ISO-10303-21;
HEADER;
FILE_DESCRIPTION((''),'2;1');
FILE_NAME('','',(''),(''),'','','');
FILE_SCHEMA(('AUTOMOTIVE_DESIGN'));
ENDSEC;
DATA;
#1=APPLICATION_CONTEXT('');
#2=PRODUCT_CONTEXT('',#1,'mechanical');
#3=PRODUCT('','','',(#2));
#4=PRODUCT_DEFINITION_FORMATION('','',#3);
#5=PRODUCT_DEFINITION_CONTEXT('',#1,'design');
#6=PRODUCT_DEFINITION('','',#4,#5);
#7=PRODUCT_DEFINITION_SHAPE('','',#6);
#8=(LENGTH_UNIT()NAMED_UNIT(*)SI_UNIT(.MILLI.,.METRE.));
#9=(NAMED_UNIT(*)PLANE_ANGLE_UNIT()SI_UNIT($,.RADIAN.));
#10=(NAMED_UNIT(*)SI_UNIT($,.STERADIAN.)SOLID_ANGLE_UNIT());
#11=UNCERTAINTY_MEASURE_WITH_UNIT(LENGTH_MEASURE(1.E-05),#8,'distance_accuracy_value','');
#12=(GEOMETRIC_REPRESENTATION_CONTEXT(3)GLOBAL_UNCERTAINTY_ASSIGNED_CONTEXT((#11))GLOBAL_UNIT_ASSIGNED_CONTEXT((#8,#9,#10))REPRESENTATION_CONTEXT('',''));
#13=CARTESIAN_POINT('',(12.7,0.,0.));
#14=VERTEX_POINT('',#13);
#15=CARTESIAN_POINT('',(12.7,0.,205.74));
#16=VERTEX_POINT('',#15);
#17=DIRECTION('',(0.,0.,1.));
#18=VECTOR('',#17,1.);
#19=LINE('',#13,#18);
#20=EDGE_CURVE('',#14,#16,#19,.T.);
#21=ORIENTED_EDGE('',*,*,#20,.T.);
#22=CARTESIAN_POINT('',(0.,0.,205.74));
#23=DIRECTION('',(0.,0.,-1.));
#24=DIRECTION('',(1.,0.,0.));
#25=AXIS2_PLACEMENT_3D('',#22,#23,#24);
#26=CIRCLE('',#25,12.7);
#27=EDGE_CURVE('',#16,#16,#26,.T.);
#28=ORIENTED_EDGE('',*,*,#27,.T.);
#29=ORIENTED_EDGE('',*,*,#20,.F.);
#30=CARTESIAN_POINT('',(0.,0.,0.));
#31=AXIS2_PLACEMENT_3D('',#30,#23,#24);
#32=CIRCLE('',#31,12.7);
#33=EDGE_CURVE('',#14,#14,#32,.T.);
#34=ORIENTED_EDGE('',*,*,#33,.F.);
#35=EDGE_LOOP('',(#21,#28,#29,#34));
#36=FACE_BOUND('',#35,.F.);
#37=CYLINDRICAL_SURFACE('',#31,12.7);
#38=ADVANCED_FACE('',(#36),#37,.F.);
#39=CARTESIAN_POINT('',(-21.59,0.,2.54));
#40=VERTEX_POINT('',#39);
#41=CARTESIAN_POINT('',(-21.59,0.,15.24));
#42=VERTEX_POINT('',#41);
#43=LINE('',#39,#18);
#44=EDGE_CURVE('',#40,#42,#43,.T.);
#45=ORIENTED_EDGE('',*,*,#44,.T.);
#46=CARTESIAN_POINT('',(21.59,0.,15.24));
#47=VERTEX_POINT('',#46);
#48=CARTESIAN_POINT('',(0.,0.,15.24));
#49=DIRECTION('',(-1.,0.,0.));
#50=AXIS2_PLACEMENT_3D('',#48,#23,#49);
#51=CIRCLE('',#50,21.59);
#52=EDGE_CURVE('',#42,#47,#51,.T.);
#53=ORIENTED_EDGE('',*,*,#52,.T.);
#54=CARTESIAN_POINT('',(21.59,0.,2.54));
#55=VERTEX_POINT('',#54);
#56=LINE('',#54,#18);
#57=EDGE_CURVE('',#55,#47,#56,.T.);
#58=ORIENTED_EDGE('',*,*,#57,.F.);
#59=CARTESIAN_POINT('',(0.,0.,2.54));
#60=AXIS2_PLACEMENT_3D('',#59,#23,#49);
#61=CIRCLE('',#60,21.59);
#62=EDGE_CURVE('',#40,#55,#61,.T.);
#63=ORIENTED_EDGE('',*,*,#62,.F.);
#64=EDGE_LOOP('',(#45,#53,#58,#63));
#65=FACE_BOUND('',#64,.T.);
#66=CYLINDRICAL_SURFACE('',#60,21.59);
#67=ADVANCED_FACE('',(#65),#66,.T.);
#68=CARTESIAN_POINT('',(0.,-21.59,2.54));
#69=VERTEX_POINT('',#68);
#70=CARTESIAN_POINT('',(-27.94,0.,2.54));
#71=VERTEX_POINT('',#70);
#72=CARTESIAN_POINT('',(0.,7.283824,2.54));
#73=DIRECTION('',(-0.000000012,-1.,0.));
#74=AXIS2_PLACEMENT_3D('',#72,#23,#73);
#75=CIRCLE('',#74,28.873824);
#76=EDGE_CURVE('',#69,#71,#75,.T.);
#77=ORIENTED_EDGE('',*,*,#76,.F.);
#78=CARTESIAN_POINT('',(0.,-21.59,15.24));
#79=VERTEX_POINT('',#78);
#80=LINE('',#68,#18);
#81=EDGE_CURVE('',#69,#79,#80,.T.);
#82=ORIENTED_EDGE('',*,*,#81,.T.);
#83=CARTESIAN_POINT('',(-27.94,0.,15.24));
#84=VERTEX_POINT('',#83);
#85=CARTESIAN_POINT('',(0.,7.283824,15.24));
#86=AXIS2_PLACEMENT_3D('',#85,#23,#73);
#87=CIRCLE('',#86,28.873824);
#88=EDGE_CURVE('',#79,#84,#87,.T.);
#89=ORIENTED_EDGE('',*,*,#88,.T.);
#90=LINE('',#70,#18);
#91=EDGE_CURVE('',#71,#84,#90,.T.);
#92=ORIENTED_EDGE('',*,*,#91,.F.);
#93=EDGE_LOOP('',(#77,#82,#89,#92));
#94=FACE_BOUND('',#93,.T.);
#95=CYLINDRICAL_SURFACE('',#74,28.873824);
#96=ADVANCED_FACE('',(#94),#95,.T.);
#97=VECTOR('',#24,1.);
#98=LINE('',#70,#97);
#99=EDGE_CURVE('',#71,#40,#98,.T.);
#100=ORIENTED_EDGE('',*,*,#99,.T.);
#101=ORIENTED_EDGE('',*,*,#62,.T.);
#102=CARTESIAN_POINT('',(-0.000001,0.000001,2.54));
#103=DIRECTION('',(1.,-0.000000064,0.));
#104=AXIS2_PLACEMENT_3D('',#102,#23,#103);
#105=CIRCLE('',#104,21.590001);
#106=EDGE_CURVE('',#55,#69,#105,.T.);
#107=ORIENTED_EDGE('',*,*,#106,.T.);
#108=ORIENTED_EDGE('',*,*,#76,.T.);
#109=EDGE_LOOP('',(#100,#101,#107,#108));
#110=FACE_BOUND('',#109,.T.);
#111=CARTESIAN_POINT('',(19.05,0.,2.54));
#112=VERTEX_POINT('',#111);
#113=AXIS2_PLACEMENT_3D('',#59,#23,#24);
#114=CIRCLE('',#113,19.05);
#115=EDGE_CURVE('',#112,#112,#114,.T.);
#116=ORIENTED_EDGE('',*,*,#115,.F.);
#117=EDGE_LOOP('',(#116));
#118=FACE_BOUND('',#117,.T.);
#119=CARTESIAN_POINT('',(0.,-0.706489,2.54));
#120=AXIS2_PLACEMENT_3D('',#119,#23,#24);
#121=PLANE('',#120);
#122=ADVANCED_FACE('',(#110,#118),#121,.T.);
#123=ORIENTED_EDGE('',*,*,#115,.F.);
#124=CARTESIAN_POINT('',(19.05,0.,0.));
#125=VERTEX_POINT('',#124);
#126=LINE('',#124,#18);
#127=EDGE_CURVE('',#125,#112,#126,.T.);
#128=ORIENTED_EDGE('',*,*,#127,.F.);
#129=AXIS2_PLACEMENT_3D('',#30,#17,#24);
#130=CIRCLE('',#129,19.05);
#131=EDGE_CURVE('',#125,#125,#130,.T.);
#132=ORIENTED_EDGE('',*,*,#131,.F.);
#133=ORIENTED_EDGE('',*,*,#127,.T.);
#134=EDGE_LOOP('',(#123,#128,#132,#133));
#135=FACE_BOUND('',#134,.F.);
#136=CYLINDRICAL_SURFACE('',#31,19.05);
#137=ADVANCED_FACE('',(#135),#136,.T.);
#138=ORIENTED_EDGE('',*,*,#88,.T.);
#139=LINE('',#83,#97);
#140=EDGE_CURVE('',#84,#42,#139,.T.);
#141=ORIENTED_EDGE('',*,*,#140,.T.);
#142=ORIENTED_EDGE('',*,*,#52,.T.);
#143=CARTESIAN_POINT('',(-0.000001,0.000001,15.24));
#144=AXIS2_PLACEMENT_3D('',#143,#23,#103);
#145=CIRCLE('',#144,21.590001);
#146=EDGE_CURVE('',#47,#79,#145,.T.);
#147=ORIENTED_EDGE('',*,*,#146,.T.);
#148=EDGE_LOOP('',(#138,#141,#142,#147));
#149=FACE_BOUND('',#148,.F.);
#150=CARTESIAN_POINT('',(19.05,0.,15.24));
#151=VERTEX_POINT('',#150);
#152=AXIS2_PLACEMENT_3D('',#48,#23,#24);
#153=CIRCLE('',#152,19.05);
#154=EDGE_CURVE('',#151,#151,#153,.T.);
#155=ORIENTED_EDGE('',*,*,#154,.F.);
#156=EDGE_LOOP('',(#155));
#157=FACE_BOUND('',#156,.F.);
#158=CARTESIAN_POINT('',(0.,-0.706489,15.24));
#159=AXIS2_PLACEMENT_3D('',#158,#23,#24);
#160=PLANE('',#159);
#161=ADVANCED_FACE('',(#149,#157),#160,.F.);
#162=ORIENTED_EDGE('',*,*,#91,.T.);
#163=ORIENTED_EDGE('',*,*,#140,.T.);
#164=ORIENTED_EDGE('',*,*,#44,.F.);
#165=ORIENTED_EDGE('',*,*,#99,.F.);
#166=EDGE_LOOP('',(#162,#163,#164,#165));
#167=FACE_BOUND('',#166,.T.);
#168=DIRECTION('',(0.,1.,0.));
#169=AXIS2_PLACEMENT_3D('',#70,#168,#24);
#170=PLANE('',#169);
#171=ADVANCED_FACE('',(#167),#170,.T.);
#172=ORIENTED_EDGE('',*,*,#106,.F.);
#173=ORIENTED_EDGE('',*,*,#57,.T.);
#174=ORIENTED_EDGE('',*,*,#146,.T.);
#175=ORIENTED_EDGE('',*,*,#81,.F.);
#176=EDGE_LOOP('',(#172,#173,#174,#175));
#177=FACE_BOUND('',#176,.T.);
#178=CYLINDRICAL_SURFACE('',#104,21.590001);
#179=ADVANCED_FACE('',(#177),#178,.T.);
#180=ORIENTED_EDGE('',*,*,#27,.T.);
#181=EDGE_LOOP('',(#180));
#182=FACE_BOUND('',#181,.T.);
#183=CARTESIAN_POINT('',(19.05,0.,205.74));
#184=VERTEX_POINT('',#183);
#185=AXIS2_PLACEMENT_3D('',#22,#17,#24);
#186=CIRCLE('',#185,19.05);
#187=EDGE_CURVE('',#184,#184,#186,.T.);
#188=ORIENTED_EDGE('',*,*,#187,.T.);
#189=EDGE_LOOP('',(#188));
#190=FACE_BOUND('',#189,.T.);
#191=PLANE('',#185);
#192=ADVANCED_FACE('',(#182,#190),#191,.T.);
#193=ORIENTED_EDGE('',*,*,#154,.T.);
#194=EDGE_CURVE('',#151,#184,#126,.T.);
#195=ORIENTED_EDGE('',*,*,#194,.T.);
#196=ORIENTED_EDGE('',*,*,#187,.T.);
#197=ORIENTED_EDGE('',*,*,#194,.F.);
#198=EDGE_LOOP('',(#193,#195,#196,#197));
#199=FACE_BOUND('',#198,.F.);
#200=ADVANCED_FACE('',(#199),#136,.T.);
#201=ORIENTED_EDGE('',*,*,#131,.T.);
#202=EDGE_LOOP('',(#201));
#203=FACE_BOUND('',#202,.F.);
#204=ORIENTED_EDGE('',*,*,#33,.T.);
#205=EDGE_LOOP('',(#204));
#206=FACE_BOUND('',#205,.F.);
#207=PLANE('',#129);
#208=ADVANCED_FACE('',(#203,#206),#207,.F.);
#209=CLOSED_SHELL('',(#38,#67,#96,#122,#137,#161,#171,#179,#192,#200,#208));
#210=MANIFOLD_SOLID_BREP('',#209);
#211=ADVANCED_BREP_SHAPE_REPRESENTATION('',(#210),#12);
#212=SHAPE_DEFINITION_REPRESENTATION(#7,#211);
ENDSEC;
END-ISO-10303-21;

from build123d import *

# Parameters (mm, degrees)
F0_R      = 19.05
F1_DEPTH  = 205.74
F9_R      = 19.05
F10_DEPTH = 12.7
F11_R     = 12.7
F12_DEPTH = 254


with BuildPart() as f1:
    # F0 (on Top) → F1 (new body)
    with BuildSketch(Plane.XY):
        Circle(F0_R)
    extrude(amount=F1_DEPTH)

    # F9 (on offset) → F10 (join)
    with BuildSketch(Plane(origin=(0, 0, 2.54), x_dir=(1, 0, 0), z_dir=(0, 0, -1))):
        with BuildLine():
            ThreePointArc((-21.59, 0), (0, -21.59), (21.59, 0))
            ThreePointArc((21.59, 0), (15.266435, 15.266435), (0, 21.59))
            ThreePointArc((0, 21.59), (-15.266435, 15.266435), (-21.59, 0))
        make_face()
        Circle(F9_R, mode=Mode.SUBTRACT)
        with BuildLine():
            ThreePointArc((-21.59, 0), (-15.266435, 15.266435), (0, 21.59))
            ThreePointArc((0, 21.59), (-17.654827, 15.5636), (-27.94, 0))
            Line((-27.94, 0), (-21.59, 0))
        make_face()
    extrude(amount=-F10_DEPTH)

    # F11 (on face) → F12 (cut)
    with BuildSketch(Plane(origin=(0, 0, 0), x_dir=(1, 0, 0), z_dir=(0, 0, -1))):
        Circle(F11_R)
    extrude(amount=-F12_DEPTH, mode=Mode.SUBTRACT)


solid = f1.part
